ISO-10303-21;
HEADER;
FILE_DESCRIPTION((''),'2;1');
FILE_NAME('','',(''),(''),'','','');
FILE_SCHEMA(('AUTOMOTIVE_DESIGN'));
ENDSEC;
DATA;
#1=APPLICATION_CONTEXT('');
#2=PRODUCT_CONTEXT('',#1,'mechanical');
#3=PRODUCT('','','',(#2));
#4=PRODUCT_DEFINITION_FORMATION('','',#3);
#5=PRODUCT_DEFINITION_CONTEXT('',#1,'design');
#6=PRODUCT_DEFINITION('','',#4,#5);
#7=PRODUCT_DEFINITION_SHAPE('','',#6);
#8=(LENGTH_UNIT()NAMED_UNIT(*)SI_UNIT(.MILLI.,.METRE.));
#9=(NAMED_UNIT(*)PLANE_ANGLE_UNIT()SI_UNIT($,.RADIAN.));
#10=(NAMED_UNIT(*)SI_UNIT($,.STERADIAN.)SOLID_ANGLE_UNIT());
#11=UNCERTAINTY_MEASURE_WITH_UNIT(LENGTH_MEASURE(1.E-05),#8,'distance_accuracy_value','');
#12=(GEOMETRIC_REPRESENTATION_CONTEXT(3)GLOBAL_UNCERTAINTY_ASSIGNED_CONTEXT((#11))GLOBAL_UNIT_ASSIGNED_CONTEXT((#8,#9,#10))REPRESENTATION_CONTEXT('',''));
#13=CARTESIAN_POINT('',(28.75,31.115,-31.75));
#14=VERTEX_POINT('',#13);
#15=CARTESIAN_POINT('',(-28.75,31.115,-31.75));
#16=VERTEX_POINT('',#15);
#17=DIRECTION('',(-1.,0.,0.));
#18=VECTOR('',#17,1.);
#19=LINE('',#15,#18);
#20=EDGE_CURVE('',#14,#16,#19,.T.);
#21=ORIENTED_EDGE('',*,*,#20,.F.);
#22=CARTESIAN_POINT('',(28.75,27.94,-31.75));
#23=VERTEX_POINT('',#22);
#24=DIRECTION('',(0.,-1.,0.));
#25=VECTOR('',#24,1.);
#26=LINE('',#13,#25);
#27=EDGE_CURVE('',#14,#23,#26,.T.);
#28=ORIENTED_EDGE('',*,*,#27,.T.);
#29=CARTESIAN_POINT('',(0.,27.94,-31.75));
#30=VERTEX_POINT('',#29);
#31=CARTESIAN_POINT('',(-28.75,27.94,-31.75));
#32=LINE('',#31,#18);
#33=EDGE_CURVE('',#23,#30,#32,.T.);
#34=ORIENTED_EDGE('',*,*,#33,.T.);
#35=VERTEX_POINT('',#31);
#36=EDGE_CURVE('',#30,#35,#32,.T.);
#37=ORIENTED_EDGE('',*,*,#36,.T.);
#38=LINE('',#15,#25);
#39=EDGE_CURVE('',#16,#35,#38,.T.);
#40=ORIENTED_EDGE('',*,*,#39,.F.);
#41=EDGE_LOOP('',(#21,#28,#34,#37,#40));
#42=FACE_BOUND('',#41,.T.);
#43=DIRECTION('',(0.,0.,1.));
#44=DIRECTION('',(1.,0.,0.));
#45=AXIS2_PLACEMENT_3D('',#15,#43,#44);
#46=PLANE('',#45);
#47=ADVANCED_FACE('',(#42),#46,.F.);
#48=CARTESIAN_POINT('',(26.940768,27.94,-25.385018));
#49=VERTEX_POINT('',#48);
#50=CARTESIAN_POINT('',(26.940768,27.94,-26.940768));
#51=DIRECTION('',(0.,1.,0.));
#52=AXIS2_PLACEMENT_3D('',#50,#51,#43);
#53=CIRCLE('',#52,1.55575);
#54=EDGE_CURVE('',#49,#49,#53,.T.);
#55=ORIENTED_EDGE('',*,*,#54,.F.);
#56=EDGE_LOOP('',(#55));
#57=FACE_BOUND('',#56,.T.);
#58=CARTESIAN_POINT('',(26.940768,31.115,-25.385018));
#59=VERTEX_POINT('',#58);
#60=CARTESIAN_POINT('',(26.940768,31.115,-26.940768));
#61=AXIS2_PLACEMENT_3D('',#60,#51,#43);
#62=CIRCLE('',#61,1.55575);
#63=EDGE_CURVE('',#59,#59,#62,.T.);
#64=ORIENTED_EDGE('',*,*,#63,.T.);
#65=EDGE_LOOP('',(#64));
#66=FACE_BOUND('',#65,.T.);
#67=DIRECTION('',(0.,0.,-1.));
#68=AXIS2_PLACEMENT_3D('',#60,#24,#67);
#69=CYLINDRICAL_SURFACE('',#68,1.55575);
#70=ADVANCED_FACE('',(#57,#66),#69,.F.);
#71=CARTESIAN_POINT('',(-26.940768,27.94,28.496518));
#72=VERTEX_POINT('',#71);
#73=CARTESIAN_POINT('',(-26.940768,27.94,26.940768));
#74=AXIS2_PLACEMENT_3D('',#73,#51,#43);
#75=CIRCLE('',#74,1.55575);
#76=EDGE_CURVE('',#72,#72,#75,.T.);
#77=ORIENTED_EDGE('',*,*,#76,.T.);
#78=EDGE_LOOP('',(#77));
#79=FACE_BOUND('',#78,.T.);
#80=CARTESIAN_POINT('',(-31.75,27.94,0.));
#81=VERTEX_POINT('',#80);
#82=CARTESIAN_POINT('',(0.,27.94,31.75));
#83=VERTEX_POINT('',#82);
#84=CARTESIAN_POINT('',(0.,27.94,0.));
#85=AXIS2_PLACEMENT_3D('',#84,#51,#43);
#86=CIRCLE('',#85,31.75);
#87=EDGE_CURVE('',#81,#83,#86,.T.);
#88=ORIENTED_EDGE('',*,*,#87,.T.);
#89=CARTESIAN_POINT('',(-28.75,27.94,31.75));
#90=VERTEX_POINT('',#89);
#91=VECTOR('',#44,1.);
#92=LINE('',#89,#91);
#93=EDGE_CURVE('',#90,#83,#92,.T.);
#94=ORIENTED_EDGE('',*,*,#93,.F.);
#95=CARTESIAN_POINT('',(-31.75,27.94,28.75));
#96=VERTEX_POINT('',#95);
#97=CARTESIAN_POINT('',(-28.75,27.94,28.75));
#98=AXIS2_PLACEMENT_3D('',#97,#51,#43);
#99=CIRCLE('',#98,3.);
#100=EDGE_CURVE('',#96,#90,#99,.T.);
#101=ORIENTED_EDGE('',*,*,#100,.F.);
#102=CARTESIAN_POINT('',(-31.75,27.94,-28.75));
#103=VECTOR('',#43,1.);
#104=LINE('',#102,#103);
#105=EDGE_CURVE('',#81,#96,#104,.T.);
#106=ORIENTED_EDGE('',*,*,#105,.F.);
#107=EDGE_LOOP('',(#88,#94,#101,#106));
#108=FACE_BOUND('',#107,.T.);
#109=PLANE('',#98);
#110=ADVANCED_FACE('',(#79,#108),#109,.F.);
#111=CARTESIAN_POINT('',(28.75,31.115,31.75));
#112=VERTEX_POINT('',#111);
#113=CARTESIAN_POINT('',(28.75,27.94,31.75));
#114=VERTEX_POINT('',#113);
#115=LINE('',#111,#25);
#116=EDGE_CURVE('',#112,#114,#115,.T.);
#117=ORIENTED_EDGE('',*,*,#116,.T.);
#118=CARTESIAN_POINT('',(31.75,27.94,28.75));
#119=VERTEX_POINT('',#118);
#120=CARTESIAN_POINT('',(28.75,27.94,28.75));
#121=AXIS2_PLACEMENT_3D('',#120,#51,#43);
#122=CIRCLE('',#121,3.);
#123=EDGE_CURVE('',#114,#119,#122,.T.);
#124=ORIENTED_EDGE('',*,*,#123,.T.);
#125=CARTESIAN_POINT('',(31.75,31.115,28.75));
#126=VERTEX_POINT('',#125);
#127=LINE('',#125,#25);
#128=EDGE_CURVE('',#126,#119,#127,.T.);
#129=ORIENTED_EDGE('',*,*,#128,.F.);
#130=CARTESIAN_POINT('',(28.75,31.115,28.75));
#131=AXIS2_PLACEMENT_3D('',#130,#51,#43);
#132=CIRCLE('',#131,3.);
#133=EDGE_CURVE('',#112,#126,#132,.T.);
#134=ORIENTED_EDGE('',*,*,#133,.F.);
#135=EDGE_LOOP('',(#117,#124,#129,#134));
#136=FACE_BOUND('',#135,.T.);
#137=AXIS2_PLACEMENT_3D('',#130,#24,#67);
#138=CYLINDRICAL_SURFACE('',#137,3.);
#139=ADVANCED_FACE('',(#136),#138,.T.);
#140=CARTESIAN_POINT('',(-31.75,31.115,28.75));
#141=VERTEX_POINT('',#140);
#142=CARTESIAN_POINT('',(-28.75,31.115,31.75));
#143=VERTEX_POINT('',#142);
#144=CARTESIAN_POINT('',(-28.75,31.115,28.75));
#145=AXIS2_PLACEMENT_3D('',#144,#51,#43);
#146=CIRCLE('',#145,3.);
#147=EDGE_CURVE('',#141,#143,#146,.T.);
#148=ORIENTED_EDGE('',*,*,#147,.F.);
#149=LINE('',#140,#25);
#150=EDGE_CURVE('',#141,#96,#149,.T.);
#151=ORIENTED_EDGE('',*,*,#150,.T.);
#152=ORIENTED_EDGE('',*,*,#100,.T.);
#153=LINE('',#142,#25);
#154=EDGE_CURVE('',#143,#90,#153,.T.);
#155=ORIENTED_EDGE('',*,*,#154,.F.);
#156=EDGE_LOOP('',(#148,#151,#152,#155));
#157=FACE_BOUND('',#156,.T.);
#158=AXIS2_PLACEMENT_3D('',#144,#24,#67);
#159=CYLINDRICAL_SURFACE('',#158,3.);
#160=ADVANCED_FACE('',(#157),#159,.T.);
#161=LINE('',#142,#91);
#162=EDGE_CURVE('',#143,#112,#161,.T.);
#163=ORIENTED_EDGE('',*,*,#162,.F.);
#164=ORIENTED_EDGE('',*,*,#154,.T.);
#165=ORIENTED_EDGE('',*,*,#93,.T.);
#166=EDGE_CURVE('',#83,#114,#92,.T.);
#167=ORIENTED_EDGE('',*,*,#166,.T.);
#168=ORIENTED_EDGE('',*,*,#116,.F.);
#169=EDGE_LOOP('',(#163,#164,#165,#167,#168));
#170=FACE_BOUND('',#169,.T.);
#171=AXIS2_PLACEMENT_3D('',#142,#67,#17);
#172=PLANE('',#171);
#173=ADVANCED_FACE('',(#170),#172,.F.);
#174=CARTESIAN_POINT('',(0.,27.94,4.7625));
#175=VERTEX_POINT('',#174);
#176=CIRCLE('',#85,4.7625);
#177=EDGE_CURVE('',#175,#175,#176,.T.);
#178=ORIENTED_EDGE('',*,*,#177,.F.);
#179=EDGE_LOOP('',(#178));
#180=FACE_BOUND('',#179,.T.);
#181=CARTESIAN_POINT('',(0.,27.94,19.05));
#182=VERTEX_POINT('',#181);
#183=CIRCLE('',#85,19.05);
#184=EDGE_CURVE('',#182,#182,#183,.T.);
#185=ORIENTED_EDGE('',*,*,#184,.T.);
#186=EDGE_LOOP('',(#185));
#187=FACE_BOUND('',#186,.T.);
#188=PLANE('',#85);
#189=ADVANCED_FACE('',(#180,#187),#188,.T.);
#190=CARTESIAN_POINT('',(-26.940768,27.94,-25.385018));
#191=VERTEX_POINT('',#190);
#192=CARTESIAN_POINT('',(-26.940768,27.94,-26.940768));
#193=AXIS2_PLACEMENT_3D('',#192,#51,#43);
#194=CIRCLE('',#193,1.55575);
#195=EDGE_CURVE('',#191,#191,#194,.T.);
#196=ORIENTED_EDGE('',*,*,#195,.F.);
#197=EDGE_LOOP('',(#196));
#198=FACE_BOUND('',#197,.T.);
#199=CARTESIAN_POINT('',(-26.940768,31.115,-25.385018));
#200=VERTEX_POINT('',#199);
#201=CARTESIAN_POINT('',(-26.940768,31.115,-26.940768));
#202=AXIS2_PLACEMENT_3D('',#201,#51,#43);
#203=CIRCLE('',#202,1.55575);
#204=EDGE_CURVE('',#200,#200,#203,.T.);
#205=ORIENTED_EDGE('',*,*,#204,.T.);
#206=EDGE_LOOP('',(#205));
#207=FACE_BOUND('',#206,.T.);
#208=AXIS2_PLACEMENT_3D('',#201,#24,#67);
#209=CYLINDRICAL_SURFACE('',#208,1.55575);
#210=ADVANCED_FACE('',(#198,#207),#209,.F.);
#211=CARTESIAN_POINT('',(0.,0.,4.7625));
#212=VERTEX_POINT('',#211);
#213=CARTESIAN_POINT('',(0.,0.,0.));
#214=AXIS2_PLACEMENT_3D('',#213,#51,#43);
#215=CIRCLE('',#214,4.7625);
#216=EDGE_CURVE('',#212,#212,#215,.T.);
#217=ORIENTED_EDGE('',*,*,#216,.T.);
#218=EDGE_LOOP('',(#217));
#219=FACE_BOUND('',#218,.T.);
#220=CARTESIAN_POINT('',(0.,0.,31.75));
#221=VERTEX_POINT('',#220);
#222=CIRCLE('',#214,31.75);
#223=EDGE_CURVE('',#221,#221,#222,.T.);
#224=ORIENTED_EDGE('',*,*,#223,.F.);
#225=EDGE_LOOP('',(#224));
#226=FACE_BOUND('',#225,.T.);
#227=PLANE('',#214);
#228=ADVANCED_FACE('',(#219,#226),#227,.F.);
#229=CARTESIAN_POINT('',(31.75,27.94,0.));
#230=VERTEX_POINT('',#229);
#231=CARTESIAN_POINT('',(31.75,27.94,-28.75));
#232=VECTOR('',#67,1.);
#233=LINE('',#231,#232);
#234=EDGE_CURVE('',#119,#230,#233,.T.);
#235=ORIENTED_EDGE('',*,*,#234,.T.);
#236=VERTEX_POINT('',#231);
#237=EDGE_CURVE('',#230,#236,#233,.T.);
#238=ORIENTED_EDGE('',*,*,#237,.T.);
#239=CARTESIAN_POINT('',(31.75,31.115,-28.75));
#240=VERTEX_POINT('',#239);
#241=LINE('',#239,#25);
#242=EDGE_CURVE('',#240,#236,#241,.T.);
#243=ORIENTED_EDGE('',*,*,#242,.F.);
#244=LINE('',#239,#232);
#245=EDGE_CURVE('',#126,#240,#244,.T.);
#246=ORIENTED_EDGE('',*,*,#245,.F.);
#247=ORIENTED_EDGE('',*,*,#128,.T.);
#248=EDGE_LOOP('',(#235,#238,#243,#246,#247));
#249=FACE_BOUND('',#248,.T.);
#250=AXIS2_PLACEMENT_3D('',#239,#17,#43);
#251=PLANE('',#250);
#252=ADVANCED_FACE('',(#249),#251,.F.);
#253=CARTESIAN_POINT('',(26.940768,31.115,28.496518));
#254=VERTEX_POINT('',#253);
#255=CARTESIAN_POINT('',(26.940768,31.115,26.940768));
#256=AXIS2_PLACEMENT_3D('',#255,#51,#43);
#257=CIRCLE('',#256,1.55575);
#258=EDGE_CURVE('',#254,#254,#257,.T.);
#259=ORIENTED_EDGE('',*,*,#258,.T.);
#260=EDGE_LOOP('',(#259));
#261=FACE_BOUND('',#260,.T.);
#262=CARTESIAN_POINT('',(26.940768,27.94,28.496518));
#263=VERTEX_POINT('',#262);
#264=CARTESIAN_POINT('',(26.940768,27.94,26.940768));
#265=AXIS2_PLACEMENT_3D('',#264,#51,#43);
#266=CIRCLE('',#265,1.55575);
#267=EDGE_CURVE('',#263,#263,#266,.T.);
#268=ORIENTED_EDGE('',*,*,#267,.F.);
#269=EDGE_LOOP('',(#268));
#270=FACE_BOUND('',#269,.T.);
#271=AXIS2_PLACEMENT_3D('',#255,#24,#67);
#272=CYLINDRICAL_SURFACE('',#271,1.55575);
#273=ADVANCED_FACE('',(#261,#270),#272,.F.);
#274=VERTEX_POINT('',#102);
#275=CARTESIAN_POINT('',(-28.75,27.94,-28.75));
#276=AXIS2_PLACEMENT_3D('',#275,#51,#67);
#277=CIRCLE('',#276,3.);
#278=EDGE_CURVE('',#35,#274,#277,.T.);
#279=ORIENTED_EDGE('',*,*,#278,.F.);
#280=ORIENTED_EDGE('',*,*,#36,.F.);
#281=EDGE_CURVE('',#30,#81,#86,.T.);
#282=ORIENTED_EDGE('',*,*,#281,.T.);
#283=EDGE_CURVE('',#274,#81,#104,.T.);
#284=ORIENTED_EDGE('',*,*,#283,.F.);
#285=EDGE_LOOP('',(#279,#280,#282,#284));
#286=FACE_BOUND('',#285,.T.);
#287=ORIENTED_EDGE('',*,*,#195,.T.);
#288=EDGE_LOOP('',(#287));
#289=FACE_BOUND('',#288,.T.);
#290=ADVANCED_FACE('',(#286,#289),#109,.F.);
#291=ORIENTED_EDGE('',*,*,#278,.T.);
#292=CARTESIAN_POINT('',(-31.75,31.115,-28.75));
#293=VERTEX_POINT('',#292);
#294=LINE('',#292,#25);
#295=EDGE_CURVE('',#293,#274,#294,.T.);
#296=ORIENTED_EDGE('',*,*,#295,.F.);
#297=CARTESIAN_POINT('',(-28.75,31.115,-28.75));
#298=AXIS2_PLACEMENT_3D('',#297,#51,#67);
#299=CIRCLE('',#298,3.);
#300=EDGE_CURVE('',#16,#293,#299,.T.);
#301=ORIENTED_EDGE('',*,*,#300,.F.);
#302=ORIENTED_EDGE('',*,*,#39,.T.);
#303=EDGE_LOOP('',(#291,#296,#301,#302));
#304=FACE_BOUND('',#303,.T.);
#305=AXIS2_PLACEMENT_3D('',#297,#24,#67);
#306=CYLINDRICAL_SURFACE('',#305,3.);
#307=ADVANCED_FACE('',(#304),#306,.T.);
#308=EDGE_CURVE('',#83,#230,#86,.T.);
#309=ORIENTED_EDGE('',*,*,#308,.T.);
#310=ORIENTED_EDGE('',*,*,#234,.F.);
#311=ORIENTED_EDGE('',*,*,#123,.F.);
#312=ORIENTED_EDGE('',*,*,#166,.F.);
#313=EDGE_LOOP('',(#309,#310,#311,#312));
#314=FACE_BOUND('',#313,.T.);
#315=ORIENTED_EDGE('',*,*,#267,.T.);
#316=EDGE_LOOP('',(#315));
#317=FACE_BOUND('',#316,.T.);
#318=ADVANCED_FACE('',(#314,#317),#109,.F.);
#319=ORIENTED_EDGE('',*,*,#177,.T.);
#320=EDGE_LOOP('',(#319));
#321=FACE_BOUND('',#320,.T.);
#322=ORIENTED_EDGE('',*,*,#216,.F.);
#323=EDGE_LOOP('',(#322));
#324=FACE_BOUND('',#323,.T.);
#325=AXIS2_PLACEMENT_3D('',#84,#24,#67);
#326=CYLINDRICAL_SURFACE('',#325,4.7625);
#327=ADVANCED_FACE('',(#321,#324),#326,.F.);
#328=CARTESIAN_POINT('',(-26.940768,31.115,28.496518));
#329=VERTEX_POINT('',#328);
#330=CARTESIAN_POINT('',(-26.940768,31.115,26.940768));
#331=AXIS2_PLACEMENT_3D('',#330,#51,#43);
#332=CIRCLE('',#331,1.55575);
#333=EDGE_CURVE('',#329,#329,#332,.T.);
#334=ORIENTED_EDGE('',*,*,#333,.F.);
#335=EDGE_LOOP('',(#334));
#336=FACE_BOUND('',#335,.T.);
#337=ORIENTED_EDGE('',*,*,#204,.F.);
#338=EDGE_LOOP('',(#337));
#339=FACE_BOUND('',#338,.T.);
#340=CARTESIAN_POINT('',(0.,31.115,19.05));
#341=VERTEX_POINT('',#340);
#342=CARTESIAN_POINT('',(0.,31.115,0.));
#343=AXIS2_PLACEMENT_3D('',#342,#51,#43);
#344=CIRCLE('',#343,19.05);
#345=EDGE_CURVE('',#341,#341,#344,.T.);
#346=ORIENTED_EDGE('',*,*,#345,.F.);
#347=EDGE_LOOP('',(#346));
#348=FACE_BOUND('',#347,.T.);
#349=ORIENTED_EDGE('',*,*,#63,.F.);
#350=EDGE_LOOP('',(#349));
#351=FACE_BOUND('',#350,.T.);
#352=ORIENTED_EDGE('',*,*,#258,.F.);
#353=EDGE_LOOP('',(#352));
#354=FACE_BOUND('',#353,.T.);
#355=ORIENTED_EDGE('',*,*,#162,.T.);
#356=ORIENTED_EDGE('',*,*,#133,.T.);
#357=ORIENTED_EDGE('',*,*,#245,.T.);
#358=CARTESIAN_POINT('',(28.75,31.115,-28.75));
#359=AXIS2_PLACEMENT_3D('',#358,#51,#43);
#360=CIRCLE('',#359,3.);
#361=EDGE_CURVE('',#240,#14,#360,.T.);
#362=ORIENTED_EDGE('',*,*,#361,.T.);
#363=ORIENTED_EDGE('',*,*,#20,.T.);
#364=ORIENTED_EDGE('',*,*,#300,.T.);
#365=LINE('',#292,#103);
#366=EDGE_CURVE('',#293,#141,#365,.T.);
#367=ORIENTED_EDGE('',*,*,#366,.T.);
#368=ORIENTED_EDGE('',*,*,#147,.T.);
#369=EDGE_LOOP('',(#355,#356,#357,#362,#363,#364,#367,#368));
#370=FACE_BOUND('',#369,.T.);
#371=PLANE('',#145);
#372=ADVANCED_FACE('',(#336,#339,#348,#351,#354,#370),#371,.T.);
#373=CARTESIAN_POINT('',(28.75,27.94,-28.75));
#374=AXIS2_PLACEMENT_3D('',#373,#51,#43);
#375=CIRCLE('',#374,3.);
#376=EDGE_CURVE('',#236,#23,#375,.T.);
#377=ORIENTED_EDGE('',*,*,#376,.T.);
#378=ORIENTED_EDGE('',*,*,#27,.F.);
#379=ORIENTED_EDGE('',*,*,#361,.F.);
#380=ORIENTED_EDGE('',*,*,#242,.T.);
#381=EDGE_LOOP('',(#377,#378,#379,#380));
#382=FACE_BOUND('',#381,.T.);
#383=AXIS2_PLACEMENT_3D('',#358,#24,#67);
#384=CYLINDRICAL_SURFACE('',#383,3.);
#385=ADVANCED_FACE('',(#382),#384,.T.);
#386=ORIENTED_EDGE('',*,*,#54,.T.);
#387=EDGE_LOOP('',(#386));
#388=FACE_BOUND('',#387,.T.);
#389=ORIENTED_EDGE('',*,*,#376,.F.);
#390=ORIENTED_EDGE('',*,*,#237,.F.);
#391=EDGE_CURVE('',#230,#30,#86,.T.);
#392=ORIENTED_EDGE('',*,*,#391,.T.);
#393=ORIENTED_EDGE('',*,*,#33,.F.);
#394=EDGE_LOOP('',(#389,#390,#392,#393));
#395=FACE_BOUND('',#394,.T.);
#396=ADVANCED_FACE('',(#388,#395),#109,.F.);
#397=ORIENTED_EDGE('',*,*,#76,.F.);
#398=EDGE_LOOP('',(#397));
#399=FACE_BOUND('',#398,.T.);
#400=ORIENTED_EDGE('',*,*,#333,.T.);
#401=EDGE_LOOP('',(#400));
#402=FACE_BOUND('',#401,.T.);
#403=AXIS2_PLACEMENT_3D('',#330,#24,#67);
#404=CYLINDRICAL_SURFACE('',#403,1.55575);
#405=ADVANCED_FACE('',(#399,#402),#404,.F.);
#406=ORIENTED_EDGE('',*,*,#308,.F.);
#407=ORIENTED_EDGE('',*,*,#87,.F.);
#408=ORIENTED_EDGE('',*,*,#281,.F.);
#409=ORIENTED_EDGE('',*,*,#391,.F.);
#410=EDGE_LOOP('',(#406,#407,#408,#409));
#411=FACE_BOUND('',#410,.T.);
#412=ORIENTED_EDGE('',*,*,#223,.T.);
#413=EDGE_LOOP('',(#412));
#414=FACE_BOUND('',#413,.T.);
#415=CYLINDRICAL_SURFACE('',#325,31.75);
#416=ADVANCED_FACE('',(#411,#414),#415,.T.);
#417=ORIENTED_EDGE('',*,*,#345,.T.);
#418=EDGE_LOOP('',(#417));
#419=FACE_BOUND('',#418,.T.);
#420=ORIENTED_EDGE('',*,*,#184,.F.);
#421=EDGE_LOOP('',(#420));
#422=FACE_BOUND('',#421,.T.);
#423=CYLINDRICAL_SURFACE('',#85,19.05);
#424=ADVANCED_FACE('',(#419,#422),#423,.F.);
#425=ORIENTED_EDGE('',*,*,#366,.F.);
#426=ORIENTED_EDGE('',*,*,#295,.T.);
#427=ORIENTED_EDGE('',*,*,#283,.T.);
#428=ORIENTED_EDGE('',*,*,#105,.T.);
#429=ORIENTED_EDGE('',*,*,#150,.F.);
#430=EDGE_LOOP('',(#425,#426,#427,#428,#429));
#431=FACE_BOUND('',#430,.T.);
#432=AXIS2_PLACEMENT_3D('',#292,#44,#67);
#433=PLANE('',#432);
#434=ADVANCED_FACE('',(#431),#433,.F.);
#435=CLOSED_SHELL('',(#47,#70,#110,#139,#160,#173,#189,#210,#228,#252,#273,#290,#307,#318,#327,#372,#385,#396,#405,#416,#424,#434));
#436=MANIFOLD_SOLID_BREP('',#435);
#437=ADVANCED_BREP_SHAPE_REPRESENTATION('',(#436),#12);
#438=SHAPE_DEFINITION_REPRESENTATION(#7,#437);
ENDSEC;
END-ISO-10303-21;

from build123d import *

# Parameters (mm, degrees)
SKETCH1_R           = 31.75
SKETCH1_R_2         = 4.7625
BOSS_EXTRUDE1_DEPTH = 27.94
SKETCH2_R           = 1.55575
BOSS_EXTRUDE2_DEPTH = 3.175
SKETCH3_R           = 19.05
CUT_EXTRUDE1_DEPTH  = 3.175


with BuildPart() as part:
    # Sketch1 → Boss-Extrude1 (new body)
    with BuildSketch(Plane(origin=(0, 0, 0), x_dir=(1, 0, 0), z_dir=(0, 1, 0))):
        with Locations(Location((0, 0, 0), (0, 0, 270))):
            Circle(SKETCH1_R)
        with Locations(Location((0, 0, 0), (0, 0, 270))):
            Circle(SKETCH1_R_2, mode=Mode.SUBTRACT)
    extrude(amount=BOSS_EXTRUDE1_DEPTH)

    # Sketch2 → Boss-Extrude2 (add)
    with BuildSketch(Plane(origin=(0, 27.94, 0), x_dir=(1, 0, 0), z_dir=(0, 1, 0))):
        with BuildLine():
            Line((-28.75, 31.75), (28.75, 31.75))
            ThreePointArc((28.75, 31.75), (30.871320344, 30.871320344), (31.75, 28.75))
            Line((31.75, 28.75), (31.75, -28.75))
            ThreePointArc((31.75, -28.75), (30.871320344, -30.871320344), (28.75, -31.75))
            Line((28.75, -31.75), (-28.75, -31.75))
            ThreePointArc((-28.75, -31.75), (-30.871320344, -30.871320344), (-31.75, -28.75))
            Line((-31.75, -28.75), (-31.75, 28.75))
            ThreePointArc((-31.75, 28.75), (-30.871320344, 30.871320344), (-28.75, 31.75))
        make_face()
        with Locations(Location((-26.940768363, 26.940768363, 0), (0, 0, 270))):
            Circle(SKETCH2_R, mode=Mode.SUBTRACT)
        with Locations(Location((26.940768363, 26.940768363, 0), (0, 0, 270))):
            Circle(SKETCH2_R, mode=Mode.SUBTRACT)
        with Locations(Location((26.940768363, -26.940768363, 0), (0, 0, 270))):
            Circle(SKETCH2_R, mode=Mode.SUBTRACT)
        with Locations(Location((-26.940768363, -26.940768363, 0), (0, 0, 270))):
            Circle(SKETCH2_R, mode=Mode.SUBTRACT)
    extrude(amount=BOSS_EXTRUDE2_DEPTH)

    # Sketch3 → Cut-Extrude1 (cut)
    with BuildSketch(Plane(origin=(0, 31.115, 0), x_dir=(1, 0, 0), z_dir=(0, 1, 0))):
        with Locations(Location((0, 0, 0), (0, 0, 270))):
            Circle(SKETCH3_R)
    extrude(amount=-CUT_EXTRUDE1_DEPTH, mode=Mode.SUBTRACT)


solid = part.part
